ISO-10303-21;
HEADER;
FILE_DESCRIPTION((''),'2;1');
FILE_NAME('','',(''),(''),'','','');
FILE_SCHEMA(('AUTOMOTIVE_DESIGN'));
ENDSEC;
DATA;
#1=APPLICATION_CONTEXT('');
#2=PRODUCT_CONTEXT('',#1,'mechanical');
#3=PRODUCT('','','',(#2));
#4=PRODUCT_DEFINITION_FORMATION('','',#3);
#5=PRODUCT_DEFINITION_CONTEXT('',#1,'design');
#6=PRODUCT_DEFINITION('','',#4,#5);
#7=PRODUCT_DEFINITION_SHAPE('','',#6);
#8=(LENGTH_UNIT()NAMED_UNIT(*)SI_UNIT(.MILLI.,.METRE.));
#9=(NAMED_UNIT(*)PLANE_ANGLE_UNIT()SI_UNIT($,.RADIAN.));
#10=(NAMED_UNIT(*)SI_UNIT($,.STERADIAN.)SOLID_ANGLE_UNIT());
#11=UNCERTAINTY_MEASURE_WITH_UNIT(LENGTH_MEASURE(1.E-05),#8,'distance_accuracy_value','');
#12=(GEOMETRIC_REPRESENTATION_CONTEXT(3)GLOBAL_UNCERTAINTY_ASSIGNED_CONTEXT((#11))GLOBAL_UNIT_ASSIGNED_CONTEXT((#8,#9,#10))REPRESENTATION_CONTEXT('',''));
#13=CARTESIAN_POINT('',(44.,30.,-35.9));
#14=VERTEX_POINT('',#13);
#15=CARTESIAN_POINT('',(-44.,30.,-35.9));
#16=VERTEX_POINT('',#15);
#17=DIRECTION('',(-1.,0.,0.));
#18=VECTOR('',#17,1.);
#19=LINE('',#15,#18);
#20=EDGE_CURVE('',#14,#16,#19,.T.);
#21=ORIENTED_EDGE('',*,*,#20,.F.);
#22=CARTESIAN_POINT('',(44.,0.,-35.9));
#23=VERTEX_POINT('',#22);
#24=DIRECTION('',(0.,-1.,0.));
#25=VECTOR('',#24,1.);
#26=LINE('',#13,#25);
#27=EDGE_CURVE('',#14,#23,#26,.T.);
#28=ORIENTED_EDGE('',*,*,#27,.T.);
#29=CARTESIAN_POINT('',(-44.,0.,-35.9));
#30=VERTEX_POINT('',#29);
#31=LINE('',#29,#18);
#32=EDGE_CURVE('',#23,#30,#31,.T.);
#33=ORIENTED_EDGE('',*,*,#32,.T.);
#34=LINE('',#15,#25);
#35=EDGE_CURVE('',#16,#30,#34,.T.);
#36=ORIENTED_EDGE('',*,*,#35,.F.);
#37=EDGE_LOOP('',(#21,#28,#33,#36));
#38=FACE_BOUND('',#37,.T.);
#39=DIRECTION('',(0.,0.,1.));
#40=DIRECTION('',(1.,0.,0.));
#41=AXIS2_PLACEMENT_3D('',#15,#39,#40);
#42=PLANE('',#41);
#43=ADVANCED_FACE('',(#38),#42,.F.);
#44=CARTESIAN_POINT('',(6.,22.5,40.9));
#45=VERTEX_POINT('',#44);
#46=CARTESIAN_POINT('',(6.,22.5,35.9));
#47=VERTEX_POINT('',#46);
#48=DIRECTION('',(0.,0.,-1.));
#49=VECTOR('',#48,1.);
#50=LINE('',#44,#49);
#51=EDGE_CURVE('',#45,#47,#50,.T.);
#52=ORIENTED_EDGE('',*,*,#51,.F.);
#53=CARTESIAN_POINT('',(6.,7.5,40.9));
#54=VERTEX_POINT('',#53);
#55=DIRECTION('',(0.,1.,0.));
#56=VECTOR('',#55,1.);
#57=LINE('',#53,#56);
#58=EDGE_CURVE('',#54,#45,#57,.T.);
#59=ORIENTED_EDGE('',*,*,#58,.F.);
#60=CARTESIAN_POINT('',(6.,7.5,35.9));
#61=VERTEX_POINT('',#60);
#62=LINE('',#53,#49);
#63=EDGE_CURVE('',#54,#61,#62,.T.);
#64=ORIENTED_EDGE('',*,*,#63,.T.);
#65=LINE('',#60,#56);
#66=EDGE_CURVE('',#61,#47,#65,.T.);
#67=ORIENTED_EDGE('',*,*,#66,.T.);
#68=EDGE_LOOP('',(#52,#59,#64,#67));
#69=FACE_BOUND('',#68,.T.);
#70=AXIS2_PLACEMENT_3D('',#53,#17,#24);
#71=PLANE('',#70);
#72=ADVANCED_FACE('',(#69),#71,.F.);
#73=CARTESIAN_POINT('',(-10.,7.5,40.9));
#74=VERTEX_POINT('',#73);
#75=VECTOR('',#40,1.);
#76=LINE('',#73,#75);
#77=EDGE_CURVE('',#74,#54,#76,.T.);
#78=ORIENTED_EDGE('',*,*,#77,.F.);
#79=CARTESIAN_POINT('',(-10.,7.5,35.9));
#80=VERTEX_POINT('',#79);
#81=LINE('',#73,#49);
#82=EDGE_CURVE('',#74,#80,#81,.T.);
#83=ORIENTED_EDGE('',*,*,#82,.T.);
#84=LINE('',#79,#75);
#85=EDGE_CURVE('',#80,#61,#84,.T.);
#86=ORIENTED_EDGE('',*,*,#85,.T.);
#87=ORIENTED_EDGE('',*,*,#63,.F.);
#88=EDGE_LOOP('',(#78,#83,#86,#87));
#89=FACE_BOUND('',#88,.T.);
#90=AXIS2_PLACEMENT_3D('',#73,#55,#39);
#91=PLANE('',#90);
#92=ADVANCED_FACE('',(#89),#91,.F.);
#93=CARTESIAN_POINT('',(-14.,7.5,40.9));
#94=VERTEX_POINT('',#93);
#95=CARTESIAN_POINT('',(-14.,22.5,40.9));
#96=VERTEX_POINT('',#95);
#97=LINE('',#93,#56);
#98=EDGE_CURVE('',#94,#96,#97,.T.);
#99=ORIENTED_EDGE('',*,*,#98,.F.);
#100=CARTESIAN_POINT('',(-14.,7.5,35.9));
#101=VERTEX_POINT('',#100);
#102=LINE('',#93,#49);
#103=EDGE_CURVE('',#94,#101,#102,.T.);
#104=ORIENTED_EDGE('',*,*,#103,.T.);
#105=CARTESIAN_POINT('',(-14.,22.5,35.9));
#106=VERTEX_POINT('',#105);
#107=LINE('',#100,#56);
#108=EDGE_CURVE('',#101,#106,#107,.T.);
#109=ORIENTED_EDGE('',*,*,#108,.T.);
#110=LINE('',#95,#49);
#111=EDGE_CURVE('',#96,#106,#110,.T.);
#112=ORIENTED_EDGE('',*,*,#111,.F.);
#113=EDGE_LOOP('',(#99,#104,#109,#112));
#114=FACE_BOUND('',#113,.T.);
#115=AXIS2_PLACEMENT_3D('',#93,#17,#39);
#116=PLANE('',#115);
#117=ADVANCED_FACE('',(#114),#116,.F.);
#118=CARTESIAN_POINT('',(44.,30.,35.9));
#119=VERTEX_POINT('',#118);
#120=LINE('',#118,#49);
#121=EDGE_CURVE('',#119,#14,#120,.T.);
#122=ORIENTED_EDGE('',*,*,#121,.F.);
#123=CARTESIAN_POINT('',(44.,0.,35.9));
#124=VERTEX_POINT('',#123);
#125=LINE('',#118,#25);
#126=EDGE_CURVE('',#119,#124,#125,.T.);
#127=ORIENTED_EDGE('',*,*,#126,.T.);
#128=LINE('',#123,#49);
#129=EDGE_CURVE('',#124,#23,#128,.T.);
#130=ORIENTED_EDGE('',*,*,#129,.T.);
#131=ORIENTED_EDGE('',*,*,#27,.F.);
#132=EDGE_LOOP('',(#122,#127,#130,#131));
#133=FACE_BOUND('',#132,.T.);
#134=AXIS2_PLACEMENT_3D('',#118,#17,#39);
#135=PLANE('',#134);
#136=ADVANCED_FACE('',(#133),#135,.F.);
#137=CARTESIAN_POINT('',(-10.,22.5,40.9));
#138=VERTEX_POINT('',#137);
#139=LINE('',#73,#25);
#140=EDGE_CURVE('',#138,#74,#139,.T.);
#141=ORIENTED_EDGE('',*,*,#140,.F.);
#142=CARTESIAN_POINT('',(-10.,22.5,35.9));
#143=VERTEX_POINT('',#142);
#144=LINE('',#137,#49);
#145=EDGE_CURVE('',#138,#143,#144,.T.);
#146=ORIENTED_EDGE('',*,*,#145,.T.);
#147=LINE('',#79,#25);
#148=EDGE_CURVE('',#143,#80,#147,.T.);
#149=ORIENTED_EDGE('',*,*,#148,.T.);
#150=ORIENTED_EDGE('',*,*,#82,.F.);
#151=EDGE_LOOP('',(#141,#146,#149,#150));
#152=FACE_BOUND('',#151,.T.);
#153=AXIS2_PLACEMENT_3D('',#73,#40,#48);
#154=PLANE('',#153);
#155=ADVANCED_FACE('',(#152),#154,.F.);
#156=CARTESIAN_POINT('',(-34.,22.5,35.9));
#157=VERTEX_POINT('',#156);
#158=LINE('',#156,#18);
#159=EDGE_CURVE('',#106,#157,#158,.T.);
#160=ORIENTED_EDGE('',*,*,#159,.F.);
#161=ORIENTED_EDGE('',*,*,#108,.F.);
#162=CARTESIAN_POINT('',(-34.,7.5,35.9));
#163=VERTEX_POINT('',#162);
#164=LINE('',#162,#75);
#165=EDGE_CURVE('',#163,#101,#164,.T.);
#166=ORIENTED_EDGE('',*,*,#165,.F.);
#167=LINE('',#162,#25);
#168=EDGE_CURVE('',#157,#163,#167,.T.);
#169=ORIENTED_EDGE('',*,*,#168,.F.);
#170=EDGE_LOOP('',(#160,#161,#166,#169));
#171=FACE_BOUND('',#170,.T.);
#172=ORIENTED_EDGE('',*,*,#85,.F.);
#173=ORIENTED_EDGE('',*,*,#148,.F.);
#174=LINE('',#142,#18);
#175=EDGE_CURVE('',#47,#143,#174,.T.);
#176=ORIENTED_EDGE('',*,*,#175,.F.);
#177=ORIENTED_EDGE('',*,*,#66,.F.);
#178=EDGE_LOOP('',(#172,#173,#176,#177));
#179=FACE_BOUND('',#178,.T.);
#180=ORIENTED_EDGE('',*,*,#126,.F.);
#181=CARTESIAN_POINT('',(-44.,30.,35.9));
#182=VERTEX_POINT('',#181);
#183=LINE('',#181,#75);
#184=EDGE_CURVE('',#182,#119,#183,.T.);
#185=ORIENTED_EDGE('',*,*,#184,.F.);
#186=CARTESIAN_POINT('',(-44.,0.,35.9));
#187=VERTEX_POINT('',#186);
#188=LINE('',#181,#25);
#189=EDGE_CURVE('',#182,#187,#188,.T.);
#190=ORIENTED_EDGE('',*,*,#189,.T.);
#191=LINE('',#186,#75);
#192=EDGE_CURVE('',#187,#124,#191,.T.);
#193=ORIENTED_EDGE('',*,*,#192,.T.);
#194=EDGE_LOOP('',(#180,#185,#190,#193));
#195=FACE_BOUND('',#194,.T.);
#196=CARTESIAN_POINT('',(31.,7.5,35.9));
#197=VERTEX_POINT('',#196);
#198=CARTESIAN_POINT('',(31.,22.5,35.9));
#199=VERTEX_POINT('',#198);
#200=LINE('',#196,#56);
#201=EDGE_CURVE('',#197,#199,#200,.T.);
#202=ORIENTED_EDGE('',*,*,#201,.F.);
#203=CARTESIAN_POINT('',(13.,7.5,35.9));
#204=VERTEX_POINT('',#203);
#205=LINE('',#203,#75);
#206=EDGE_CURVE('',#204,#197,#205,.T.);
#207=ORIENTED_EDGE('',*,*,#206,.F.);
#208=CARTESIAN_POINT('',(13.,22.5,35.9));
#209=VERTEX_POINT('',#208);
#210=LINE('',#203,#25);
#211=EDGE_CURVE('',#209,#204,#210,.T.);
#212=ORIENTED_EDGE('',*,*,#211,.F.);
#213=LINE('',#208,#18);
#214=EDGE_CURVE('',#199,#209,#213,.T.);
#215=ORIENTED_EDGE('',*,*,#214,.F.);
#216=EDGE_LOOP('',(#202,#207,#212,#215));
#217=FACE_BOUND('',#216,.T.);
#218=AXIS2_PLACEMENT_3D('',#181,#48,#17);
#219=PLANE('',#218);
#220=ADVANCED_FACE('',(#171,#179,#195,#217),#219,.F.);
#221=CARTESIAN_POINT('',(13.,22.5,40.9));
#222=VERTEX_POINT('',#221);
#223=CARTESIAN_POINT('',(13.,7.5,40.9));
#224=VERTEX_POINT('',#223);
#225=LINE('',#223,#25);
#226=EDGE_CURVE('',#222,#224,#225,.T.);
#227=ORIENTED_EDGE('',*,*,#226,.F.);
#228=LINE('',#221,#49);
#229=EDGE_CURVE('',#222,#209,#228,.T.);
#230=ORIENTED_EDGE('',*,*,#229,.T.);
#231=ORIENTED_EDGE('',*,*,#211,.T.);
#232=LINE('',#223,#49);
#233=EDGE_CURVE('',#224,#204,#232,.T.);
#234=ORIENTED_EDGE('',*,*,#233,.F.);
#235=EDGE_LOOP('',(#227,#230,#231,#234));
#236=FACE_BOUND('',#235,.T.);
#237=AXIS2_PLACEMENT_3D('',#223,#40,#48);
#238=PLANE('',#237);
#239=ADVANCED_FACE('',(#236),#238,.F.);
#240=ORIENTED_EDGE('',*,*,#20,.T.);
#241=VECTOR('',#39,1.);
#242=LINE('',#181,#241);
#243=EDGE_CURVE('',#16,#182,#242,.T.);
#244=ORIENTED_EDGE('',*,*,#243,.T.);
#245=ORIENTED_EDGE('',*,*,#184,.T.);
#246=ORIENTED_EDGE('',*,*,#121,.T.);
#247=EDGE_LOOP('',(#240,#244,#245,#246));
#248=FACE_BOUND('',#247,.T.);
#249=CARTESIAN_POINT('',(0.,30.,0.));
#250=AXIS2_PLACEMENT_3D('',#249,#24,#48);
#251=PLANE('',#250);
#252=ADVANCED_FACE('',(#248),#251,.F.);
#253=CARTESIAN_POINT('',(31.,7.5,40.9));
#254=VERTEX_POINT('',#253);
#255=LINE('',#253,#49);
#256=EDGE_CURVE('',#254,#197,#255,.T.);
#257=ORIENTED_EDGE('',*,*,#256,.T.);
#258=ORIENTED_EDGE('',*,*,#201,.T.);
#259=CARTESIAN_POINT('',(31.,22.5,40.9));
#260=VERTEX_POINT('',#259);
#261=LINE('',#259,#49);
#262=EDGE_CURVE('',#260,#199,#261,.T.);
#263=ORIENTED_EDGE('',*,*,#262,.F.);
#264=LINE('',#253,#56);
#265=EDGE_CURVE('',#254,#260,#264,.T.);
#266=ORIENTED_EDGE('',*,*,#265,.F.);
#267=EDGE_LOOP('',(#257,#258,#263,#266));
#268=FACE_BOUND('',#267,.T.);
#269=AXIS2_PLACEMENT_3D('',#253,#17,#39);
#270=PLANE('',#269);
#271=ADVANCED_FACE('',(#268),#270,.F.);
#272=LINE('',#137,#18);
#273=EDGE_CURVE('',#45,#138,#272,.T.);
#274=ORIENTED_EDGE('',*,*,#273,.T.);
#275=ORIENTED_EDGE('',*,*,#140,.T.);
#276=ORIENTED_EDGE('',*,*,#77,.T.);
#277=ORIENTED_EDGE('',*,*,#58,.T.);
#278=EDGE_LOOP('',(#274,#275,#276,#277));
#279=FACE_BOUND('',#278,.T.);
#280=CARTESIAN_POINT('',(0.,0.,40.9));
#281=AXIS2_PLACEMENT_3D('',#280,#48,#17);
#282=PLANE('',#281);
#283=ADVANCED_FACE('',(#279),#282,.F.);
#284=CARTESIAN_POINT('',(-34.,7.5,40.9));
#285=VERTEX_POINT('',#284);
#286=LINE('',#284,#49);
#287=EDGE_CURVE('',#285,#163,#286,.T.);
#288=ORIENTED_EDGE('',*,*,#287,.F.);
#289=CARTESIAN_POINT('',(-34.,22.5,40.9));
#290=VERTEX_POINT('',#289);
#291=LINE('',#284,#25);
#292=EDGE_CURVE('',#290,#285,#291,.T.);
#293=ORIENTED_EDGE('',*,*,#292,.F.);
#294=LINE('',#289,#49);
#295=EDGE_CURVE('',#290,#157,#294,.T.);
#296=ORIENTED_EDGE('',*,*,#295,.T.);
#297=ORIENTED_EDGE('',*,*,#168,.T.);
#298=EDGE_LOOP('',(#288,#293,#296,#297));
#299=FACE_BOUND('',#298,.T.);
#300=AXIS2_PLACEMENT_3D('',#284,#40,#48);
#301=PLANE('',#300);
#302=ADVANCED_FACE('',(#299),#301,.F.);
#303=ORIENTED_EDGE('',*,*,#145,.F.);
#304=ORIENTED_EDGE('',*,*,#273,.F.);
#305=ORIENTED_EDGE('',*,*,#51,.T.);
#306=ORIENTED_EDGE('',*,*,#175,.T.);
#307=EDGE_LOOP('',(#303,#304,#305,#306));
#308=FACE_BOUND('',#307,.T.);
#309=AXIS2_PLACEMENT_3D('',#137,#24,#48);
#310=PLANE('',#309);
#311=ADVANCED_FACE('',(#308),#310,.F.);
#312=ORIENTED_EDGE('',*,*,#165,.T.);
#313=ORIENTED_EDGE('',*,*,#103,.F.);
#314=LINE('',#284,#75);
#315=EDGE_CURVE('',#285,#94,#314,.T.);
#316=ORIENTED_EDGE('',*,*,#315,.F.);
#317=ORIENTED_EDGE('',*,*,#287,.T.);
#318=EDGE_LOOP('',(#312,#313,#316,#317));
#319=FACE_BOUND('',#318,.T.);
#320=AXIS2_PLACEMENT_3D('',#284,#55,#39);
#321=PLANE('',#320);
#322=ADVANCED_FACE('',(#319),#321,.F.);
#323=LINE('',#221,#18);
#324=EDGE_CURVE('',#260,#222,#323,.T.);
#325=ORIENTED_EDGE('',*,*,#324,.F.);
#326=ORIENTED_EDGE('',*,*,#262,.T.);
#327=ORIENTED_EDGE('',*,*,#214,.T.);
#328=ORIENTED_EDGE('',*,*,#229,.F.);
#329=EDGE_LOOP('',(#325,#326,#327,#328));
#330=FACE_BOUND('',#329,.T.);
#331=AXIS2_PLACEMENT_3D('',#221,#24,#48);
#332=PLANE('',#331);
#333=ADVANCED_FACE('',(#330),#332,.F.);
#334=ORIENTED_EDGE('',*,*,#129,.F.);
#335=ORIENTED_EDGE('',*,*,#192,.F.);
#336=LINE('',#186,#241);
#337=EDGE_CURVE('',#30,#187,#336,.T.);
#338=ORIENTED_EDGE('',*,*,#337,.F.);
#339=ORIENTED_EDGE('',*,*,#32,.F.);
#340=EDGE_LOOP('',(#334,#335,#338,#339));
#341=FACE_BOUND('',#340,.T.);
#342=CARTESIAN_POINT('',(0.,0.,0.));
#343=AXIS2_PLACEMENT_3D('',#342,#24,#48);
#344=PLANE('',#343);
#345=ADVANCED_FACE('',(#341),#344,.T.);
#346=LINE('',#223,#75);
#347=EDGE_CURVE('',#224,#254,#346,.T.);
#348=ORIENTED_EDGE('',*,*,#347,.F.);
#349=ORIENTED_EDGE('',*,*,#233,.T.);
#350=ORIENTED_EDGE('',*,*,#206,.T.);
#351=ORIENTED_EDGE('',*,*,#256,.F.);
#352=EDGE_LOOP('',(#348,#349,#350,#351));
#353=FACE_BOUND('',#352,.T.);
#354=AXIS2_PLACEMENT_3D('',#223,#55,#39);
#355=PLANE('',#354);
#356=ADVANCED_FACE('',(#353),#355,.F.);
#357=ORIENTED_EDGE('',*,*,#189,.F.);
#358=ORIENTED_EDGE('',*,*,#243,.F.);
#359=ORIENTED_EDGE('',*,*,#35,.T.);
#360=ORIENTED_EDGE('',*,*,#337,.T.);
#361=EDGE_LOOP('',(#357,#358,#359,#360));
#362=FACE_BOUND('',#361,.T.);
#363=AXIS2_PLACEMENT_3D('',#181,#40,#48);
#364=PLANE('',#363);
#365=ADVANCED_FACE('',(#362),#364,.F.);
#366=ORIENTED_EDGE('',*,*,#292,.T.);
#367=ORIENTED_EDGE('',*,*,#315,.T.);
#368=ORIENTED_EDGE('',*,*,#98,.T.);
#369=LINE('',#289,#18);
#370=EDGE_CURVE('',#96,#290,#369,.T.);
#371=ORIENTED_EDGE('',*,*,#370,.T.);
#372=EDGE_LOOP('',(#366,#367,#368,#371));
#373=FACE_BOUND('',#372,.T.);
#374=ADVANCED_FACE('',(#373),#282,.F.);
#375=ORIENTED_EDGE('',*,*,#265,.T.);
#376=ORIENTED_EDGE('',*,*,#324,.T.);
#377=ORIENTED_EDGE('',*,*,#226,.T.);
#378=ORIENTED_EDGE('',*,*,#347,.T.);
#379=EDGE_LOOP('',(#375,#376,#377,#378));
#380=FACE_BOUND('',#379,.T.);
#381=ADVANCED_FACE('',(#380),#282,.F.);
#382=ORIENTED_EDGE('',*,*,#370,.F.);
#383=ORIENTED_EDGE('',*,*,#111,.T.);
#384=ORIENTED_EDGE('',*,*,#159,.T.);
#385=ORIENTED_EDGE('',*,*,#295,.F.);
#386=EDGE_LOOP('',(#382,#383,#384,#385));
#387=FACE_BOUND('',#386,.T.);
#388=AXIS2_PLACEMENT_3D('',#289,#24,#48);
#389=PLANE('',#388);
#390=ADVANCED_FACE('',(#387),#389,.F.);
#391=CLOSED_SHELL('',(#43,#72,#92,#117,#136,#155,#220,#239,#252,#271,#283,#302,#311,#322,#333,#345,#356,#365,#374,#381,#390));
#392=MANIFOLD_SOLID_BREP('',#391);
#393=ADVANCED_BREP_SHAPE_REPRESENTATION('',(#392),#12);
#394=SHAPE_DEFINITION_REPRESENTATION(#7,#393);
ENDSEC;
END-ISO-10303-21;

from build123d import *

# Parameters (mm, degrees)
SKETCH1_W           = 88
SKETCH1_H           = 71.8
BOSS_EXTRUDE1_DEPTH = 30
SKETCH2_W           = 20
SKETCH2_H           = 15
SKETCH2_W_2         = 16
SKETCH2_W_3         = 18
BOSS_EXTRUDE2_DEPTH = 5


with BuildPart() as part:
    # Sketch1 → Boss-Extrude1 (new body)
    with BuildSketch(Plane(origin=(0, 0, 0), x_dir=(1, 0, 0), z_dir=(0, 1, 0))):
        Rectangle(SKETCH1_W, SKETCH1_H)
    extrude(amount=BOSS_EXTRUDE1_DEPTH)

    # Sketch2 → Boss-Extrude2 (add)
    with BuildSketch(Plane.XY.offset(35.9)):
        with Locations((-24, 15)):
            Rectangle(SKETCH2_W, SKETCH2_H)
        with Locations((-2, 15)):
            Rectangle(SKETCH2_W_2, SKETCH2_H)
        with Locations((22, 15)):
            Rectangle(SKETCH2_W_3, SKETCH2_H)
    extrude(amount=BOSS_EXTRUDE2_DEPTH)


solid = part.part
